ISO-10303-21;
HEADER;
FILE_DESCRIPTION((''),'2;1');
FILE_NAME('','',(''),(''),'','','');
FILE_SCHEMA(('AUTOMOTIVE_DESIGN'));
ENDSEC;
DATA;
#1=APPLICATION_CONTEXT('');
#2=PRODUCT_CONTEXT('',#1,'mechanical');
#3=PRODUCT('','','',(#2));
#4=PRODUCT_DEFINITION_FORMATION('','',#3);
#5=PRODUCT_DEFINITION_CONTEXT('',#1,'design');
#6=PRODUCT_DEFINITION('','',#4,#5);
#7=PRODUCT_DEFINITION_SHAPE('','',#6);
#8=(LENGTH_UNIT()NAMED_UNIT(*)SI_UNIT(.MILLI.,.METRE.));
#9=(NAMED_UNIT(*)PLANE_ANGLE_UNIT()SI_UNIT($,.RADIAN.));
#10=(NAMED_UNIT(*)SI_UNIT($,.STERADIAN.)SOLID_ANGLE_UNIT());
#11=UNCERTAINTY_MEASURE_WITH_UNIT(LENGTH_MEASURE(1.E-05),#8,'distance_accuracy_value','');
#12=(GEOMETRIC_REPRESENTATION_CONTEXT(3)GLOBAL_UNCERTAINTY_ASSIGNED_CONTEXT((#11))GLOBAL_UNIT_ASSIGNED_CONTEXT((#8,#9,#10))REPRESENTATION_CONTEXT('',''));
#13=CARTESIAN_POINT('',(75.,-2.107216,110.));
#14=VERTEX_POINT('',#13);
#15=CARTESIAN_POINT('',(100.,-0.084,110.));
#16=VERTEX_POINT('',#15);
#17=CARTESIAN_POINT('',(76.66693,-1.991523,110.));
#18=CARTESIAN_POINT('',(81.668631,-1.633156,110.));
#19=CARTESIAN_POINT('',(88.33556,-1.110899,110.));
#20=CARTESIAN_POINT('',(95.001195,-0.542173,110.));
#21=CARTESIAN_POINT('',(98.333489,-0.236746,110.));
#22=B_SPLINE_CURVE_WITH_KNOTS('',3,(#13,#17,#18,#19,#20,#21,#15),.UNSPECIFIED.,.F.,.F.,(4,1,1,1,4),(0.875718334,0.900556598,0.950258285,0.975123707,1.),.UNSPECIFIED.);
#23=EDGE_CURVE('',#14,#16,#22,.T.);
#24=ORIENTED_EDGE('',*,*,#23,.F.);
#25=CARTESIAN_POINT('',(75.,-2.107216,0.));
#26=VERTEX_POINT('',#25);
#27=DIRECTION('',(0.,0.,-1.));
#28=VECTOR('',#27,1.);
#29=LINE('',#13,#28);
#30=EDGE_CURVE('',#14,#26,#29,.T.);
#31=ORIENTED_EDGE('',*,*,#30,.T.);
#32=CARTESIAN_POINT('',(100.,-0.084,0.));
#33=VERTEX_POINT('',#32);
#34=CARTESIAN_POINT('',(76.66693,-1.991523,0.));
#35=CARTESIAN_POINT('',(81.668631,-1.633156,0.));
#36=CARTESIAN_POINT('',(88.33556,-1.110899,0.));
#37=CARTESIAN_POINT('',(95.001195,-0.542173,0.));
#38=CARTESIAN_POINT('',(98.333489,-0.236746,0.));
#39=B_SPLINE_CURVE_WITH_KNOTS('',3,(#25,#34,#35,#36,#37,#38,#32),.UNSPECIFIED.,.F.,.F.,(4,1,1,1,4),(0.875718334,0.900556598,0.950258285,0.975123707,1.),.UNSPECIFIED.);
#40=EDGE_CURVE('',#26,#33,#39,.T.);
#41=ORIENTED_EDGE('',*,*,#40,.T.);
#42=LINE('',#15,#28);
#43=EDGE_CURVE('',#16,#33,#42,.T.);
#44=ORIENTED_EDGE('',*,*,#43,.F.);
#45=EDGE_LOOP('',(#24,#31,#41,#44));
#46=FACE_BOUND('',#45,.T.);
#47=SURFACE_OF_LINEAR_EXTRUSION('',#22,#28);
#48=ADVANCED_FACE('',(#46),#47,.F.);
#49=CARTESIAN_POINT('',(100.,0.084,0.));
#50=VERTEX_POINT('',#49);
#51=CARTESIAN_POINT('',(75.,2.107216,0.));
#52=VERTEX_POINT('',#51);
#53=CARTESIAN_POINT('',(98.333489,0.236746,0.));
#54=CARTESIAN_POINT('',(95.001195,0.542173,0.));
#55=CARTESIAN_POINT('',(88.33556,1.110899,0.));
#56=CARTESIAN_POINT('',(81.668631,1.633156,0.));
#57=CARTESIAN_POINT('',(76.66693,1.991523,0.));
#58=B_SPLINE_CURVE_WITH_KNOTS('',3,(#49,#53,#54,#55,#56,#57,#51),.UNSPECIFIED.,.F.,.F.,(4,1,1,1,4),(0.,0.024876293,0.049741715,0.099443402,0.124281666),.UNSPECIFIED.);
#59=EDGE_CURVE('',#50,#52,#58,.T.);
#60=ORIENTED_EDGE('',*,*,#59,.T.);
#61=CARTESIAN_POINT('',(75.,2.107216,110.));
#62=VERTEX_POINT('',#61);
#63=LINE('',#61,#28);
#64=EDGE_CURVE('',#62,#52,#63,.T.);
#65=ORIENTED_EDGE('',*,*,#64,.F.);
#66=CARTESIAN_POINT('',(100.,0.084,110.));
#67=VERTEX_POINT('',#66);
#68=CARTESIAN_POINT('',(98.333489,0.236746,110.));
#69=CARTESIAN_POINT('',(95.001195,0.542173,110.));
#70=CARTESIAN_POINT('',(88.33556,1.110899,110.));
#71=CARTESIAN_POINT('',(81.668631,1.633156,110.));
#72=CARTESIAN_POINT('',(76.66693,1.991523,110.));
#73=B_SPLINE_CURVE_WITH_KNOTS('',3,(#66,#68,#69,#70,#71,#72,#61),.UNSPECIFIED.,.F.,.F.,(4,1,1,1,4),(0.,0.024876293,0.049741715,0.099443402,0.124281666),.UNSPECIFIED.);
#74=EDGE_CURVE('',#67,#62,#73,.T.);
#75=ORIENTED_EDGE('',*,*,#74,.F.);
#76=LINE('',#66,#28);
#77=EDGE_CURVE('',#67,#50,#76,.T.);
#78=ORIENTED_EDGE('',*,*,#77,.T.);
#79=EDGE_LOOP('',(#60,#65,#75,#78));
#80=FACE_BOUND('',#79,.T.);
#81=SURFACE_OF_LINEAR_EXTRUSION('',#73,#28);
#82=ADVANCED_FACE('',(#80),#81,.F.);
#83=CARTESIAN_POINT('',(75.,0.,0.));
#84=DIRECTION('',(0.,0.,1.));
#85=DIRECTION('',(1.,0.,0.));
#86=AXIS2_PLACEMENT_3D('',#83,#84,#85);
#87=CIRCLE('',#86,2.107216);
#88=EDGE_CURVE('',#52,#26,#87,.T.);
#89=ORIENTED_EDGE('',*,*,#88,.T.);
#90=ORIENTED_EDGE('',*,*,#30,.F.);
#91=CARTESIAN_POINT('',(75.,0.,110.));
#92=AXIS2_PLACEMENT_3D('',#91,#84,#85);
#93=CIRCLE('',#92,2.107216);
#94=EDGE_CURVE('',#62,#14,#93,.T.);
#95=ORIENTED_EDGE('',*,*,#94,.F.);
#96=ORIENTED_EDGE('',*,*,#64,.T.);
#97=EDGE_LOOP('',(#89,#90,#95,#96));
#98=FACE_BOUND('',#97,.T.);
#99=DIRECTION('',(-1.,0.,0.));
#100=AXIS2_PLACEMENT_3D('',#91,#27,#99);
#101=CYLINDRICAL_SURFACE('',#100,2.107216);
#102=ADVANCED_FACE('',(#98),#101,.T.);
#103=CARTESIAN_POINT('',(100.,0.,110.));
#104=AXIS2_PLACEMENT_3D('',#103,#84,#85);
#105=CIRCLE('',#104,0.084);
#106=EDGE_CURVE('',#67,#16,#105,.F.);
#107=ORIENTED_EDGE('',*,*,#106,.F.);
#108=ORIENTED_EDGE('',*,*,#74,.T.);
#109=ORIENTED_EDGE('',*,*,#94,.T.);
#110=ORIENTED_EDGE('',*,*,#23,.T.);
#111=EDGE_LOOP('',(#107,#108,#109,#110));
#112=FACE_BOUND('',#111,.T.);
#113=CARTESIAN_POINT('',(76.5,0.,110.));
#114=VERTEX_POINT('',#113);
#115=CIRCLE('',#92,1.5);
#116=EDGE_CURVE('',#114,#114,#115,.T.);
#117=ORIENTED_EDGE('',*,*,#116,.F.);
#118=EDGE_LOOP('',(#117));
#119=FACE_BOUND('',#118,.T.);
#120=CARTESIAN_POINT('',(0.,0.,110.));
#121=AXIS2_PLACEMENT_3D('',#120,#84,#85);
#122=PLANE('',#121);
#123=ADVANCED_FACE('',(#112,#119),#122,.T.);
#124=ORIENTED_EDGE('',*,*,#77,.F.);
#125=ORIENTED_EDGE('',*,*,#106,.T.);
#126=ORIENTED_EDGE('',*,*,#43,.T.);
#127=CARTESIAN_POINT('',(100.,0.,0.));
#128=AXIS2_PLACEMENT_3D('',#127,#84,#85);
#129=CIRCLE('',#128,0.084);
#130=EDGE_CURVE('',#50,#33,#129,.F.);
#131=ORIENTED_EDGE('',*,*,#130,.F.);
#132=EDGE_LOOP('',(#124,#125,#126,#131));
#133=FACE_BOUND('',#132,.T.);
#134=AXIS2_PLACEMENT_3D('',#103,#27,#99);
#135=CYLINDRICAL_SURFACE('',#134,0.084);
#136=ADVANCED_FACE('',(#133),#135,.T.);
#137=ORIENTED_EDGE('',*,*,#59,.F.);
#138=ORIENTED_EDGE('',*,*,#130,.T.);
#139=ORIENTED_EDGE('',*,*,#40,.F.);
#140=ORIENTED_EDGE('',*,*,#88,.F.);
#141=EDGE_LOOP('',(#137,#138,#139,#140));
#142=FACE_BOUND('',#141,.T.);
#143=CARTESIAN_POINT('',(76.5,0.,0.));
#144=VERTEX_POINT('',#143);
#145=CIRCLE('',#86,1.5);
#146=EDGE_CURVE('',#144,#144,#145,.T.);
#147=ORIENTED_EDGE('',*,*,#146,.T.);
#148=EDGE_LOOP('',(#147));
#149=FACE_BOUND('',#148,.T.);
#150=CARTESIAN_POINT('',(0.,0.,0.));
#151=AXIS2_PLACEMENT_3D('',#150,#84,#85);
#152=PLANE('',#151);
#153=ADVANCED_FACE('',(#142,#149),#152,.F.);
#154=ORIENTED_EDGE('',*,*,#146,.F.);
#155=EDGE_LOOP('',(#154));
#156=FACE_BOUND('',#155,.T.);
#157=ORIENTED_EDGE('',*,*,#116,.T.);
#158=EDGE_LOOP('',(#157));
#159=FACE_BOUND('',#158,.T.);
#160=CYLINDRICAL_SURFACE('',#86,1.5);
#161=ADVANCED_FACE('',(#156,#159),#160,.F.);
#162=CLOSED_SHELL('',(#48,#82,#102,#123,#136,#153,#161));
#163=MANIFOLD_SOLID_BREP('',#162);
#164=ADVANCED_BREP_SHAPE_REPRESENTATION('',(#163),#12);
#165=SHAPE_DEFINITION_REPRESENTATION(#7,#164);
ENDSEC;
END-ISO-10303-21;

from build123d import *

# Parameters (mm, degrees)
ESTRUSIONE_ESTRUSIONE1_DEPTH = 110
SCHIZZO3_R                   = 1.5
TAGLIO_ESTRUSIONE1_DEPTH     = 149.732133239


with BuildPart() as part:
    # Schizzo2 → Estrusione-Estrusione1 (new body)
    with BuildSketch(Plane.XY):
        with BuildLine():
            ThreePointArc((75, 2.107216055), (72.892783945, 0), (75, -2.107216055))
            add(Edge.make_bspline(
                [(75, -2.107216055), (76.666929758, -1.991522695), (81.668631409, -1.633155952), (88.335559621, -1.11089898), (95.001194725, -0.542172689), (98.333488815, -0.23674648), (100, -0.084)],
                knots=[0.875718334, 0.875718334, 0.875718334, 0.875718334, 0.900556598, 0.950258285, 0.975123707, 1, 1, 1, 1], degree=3))
            ThreePointArc((100, -0.084), (100.084, 0), (100, 0.084))
            add(Edge.make_bspline(
                [(100, 0.084), (98.333488815, 0.23674648), (95.001194725, 0.542172689), (88.335559621, 1.11089898), (81.668631409, 1.633155952), (76.666929758, 1.991522695), (75, 2.107216055)],
                knots=[0, 0, 0, 0, 0.024876293, 0.049741715, 0.099443402, 0.124281666, 0.124281666, 0.124281666, 0.124281666], degree=3))
        make_face()
    extrude(amount=ESTRUSIONE_ESTRUSIONE1_DEPTH)

    # Schizzo3 → Taglio-Estrusione1 (cut, through all)
    with BuildSketch(Plane.XY.offset(110)):
        with Locations((75, 0)):
            Circle(SCHIZZO3_R)
    extrude(amount=-TAGLIO_ESTRUSIONE1_DEPTH, mode=Mode.SUBTRACT)


solid = part.part
